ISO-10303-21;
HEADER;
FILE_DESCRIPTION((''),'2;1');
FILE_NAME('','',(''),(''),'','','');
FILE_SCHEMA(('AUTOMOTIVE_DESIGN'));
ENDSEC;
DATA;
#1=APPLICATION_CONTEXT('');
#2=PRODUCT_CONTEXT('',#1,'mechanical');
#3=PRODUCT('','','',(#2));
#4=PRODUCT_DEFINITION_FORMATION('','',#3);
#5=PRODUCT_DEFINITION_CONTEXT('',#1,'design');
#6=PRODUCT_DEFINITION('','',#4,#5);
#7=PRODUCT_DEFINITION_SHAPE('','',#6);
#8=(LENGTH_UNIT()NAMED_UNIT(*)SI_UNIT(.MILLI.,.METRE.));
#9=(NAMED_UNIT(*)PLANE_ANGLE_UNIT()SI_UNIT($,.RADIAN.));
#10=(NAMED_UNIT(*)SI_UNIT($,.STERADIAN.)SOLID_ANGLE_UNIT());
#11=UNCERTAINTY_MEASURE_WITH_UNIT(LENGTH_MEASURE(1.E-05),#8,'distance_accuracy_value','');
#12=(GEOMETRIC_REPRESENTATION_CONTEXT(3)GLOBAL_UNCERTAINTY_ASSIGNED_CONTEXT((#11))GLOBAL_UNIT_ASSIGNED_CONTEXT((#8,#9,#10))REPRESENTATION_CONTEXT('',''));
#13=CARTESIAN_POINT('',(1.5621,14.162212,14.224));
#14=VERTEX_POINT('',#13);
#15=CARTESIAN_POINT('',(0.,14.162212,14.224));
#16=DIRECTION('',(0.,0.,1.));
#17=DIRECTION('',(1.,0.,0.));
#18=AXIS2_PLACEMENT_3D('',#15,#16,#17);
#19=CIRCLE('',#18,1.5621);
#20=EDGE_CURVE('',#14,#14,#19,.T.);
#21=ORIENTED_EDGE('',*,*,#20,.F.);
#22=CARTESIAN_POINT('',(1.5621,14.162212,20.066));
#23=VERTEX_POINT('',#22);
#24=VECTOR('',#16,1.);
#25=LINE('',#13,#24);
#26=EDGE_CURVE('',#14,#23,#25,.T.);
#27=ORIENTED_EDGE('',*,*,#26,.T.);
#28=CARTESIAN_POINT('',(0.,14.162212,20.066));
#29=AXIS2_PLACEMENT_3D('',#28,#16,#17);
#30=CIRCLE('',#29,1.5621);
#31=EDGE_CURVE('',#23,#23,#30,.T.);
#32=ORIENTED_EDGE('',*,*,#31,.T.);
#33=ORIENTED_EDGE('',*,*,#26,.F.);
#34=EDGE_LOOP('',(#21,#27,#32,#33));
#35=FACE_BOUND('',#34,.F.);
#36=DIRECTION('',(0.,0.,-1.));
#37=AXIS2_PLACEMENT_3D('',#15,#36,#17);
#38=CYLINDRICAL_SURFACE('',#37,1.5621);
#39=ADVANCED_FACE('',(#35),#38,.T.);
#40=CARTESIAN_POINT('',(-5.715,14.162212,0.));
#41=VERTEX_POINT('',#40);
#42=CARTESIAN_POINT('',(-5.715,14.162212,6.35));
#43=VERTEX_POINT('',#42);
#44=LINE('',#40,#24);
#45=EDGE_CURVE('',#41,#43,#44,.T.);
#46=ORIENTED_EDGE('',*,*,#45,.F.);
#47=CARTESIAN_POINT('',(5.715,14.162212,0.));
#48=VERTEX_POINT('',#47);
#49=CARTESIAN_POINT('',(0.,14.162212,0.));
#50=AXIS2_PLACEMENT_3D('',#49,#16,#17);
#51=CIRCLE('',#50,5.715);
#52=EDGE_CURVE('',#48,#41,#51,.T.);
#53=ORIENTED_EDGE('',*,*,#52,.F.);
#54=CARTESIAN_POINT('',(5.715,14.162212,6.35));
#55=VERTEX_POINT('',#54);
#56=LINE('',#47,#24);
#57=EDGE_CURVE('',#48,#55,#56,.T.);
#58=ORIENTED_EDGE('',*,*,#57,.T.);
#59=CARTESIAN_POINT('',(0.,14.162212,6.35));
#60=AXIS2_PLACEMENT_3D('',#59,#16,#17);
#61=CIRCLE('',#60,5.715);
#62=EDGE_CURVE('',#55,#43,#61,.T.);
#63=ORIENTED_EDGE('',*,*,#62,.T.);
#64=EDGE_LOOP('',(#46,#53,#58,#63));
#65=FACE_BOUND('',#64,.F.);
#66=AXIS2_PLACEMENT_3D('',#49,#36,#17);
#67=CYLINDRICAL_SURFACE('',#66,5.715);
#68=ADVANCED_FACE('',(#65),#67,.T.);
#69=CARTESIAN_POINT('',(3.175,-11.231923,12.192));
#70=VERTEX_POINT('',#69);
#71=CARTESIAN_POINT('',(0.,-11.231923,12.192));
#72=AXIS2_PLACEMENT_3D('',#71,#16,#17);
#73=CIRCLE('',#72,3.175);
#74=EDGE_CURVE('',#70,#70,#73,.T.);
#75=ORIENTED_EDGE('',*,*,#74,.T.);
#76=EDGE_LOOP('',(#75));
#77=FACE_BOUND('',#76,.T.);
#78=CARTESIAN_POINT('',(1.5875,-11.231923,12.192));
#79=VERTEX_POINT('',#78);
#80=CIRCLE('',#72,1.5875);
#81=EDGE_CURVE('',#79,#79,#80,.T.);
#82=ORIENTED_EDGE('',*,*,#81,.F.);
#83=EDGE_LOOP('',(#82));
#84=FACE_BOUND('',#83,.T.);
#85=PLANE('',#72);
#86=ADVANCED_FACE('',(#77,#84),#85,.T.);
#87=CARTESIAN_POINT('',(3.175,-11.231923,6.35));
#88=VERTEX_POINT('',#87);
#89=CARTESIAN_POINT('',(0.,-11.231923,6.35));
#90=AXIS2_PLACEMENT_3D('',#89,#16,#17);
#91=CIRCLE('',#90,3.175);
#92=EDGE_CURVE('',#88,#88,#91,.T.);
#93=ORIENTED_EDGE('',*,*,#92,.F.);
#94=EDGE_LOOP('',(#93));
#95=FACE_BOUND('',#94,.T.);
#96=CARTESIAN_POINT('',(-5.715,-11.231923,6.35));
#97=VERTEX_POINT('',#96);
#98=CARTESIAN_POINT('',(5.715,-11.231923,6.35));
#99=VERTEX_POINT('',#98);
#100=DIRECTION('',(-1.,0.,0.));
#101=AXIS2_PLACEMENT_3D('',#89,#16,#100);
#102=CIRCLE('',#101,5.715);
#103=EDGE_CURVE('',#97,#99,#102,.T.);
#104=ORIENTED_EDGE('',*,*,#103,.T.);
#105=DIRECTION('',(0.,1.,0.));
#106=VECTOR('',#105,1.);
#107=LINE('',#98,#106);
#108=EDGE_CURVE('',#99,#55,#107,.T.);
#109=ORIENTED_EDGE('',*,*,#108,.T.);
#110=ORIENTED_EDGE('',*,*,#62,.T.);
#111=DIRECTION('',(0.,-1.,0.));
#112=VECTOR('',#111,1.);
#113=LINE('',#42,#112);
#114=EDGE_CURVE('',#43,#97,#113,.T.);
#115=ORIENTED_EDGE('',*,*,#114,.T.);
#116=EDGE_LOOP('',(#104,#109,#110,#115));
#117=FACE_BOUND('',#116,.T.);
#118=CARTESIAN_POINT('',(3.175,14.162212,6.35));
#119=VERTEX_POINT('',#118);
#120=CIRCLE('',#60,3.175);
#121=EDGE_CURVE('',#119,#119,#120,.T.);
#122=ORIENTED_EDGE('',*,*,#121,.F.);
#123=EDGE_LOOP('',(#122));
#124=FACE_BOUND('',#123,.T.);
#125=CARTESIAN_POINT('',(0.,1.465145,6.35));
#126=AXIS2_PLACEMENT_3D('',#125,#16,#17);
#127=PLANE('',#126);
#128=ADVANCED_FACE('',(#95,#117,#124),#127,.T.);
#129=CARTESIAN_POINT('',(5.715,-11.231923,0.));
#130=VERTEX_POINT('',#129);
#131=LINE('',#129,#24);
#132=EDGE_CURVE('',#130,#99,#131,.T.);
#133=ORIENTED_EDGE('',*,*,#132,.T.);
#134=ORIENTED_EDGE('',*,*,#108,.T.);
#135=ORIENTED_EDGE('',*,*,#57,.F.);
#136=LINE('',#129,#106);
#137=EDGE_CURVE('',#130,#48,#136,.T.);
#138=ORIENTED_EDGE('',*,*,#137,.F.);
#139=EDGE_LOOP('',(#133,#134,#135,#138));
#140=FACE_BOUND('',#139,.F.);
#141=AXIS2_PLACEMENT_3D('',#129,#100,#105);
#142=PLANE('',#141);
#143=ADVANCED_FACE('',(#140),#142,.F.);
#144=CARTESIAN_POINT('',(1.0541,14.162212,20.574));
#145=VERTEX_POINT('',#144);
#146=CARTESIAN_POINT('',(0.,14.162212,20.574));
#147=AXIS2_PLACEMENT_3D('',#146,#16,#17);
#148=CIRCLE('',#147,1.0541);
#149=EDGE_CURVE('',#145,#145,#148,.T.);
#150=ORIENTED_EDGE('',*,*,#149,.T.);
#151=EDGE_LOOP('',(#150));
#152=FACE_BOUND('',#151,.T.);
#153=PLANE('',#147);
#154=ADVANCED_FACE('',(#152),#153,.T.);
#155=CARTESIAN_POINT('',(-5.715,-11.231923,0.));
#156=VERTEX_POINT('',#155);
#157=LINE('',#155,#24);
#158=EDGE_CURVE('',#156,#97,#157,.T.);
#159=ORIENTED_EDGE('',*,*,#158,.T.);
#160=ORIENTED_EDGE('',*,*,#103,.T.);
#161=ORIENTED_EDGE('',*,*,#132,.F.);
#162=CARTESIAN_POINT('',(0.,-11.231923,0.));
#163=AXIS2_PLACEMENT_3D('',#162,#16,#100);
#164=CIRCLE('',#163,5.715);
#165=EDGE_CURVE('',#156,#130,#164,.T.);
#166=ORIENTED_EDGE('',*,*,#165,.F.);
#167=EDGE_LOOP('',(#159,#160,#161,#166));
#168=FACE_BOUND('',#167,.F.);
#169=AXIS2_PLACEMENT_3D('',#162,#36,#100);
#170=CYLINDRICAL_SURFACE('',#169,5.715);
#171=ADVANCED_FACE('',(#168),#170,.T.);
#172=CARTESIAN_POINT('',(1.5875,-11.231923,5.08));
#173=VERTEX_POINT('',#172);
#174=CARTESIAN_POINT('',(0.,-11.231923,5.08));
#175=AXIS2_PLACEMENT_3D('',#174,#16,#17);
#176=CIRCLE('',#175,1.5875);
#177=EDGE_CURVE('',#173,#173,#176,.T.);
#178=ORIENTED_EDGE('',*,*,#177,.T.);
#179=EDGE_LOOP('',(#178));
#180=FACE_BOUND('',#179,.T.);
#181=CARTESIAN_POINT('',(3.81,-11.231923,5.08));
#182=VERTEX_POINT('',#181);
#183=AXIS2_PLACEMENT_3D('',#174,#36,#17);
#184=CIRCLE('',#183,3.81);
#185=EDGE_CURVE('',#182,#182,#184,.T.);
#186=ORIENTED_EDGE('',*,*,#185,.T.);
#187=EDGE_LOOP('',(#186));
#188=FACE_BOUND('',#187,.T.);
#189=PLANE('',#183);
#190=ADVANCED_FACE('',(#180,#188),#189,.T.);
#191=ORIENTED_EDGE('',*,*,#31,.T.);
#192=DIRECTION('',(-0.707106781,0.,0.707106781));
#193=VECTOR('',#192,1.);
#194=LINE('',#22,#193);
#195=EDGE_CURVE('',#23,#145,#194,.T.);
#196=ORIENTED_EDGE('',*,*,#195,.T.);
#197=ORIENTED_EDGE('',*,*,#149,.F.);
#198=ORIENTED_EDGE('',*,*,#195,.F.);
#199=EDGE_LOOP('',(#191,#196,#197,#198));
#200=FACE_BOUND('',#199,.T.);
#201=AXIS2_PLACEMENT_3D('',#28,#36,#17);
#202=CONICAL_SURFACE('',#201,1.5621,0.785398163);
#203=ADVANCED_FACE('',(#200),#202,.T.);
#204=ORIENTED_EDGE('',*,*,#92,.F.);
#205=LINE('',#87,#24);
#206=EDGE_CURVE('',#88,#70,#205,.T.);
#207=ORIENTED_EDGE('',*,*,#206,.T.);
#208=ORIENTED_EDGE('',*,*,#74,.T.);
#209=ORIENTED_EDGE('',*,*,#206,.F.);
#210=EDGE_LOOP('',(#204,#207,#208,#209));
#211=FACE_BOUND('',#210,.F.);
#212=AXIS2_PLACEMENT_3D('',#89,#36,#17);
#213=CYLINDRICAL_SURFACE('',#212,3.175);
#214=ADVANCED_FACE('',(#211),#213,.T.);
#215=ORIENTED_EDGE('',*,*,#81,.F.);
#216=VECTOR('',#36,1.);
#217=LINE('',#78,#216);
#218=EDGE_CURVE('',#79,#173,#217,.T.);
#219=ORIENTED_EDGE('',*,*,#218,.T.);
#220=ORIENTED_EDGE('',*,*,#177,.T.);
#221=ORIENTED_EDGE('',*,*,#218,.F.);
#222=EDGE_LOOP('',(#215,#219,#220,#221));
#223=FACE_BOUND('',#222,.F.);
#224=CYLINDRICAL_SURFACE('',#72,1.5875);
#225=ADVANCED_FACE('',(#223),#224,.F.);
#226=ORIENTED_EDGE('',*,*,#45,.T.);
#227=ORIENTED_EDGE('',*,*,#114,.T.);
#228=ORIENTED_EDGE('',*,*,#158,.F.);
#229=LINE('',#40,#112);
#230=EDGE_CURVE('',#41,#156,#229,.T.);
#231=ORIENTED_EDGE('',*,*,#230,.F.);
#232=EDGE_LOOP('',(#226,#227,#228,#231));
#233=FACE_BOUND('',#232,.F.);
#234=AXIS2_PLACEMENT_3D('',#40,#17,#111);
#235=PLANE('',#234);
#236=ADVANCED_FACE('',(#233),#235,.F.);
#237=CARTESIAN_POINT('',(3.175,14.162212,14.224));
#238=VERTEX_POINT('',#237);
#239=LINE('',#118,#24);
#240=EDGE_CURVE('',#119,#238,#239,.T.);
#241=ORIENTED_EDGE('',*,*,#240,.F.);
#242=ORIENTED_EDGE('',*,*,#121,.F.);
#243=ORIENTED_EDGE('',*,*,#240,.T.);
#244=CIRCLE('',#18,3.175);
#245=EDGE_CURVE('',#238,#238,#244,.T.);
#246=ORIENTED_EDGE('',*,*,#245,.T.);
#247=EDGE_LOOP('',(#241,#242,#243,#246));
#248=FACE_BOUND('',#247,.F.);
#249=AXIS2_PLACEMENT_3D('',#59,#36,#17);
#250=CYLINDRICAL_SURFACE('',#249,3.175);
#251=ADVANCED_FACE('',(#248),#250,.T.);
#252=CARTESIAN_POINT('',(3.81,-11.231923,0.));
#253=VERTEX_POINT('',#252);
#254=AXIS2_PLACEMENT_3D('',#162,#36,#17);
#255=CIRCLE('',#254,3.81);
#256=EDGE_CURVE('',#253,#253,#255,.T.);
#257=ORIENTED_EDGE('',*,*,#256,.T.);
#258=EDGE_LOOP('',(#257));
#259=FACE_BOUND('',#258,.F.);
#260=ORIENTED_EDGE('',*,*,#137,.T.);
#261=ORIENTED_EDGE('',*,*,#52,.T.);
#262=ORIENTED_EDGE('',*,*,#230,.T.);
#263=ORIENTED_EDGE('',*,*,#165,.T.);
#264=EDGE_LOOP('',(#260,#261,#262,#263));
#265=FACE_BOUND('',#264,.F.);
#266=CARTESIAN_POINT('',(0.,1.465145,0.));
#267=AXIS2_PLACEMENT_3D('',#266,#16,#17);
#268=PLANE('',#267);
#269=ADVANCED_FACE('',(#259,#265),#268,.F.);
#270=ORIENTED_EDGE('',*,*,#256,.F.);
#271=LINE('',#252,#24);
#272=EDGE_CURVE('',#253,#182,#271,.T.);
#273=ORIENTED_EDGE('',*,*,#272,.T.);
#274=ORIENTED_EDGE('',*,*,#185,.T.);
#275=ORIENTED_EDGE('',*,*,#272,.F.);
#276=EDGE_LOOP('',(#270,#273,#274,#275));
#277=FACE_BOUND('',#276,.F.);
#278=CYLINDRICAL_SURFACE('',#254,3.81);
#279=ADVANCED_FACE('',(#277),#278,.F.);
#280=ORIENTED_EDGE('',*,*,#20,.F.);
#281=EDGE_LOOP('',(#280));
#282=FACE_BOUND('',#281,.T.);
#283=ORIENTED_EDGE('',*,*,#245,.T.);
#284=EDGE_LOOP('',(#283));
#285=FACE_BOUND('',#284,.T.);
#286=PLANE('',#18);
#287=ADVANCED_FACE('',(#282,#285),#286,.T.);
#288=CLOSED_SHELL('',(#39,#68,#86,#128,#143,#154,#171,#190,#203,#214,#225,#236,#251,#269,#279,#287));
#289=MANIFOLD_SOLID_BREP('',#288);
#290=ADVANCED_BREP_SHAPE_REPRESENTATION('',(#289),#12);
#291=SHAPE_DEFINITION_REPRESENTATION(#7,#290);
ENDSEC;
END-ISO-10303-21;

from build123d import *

# Parameters (mm, degrees)
F1_DEPTH  = 6.35
F2_R      = 3.175
F3_DEPTH  = 7.874
F4_R      = 1.5621
F5_DEPTH  = 6.35
F6_SIZE   = 0.508
F7_R      = 3.175
F8_DEPTH  = 5.842
F9_R      = 1.5875
F10_DEPTH = 12.193
F11_R     = 3.81
F12_DEPTH = 5.08


with BuildPart() as f1:
    # F0 (on Top) → F1 (new body)
    with BuildSketch(Plane.XY):
        with BuildLine():
            ThreePointArc((5.715, 14.162212), (0, 19.877212), (-5.715, 14.162212))
            Line((-5.715, 14.162212), (-5.715, -11.231923))
            ThreePointArc((-5.715, -11.231923), (0, -16.946923), (5.715, -11.231923))
            Line((5.715, -11.231923), (5.715, 14.162212))
        make_face()
    extrude(amount=F1_DEPTH)

    # F2 (on face) → F3 (join)
    with BuildSketch(Plane.XY.offset(6.35)):
        with Locations((0, 14.162212)):
            Circle(F2_R)
    extrude(amount=F3_DEPTH)

    # F4 (on face) → F5 (join)
    with BuildSketch(Plane.XY.offset(14.224)):
        with Locations((0, 14.162212)):
            Circle(F4_R)
    extrude(amount=F5_DEPTH)

    # F6
    f6_edges = [f1.edges().sort_by_distance(p)[0] for p in [
        (-1.5621, 14.162212, 20.574),
    ]]
    chamfer(f6_edges, length=F6_SIZE)

    # F7 (on face) → F8 (join)
    with BuildSketch(Plane.XY.offset(6.35)):
        with Locations((0, -11.231923)):
            Circle(F7_R)
    extrude(amount=F8_DEPTH)

    # F9 (on face) → F10 (cut, through all)
    with BuildSketch(Plane.XY.offset(12.192)):
        with Locations((0, -11.231923)):
            Circle(F9_R)
    extrude(amount=-F10_DEPTH, mode=Mode.SUBTRACT)

    # F11 (on face) → F12 (cut)
    with BuildSketch(Plane(origin=(0, 0, 0), x_dir=(1, 0, 0), z_dir=(0, 0, -1))):
        with Locations((0, 11.231923)):
            Circle(F11_R)
    extrude(amount=-F12_DEPTH, mode=Mode.SUBTRACT)


solid = f1.part
